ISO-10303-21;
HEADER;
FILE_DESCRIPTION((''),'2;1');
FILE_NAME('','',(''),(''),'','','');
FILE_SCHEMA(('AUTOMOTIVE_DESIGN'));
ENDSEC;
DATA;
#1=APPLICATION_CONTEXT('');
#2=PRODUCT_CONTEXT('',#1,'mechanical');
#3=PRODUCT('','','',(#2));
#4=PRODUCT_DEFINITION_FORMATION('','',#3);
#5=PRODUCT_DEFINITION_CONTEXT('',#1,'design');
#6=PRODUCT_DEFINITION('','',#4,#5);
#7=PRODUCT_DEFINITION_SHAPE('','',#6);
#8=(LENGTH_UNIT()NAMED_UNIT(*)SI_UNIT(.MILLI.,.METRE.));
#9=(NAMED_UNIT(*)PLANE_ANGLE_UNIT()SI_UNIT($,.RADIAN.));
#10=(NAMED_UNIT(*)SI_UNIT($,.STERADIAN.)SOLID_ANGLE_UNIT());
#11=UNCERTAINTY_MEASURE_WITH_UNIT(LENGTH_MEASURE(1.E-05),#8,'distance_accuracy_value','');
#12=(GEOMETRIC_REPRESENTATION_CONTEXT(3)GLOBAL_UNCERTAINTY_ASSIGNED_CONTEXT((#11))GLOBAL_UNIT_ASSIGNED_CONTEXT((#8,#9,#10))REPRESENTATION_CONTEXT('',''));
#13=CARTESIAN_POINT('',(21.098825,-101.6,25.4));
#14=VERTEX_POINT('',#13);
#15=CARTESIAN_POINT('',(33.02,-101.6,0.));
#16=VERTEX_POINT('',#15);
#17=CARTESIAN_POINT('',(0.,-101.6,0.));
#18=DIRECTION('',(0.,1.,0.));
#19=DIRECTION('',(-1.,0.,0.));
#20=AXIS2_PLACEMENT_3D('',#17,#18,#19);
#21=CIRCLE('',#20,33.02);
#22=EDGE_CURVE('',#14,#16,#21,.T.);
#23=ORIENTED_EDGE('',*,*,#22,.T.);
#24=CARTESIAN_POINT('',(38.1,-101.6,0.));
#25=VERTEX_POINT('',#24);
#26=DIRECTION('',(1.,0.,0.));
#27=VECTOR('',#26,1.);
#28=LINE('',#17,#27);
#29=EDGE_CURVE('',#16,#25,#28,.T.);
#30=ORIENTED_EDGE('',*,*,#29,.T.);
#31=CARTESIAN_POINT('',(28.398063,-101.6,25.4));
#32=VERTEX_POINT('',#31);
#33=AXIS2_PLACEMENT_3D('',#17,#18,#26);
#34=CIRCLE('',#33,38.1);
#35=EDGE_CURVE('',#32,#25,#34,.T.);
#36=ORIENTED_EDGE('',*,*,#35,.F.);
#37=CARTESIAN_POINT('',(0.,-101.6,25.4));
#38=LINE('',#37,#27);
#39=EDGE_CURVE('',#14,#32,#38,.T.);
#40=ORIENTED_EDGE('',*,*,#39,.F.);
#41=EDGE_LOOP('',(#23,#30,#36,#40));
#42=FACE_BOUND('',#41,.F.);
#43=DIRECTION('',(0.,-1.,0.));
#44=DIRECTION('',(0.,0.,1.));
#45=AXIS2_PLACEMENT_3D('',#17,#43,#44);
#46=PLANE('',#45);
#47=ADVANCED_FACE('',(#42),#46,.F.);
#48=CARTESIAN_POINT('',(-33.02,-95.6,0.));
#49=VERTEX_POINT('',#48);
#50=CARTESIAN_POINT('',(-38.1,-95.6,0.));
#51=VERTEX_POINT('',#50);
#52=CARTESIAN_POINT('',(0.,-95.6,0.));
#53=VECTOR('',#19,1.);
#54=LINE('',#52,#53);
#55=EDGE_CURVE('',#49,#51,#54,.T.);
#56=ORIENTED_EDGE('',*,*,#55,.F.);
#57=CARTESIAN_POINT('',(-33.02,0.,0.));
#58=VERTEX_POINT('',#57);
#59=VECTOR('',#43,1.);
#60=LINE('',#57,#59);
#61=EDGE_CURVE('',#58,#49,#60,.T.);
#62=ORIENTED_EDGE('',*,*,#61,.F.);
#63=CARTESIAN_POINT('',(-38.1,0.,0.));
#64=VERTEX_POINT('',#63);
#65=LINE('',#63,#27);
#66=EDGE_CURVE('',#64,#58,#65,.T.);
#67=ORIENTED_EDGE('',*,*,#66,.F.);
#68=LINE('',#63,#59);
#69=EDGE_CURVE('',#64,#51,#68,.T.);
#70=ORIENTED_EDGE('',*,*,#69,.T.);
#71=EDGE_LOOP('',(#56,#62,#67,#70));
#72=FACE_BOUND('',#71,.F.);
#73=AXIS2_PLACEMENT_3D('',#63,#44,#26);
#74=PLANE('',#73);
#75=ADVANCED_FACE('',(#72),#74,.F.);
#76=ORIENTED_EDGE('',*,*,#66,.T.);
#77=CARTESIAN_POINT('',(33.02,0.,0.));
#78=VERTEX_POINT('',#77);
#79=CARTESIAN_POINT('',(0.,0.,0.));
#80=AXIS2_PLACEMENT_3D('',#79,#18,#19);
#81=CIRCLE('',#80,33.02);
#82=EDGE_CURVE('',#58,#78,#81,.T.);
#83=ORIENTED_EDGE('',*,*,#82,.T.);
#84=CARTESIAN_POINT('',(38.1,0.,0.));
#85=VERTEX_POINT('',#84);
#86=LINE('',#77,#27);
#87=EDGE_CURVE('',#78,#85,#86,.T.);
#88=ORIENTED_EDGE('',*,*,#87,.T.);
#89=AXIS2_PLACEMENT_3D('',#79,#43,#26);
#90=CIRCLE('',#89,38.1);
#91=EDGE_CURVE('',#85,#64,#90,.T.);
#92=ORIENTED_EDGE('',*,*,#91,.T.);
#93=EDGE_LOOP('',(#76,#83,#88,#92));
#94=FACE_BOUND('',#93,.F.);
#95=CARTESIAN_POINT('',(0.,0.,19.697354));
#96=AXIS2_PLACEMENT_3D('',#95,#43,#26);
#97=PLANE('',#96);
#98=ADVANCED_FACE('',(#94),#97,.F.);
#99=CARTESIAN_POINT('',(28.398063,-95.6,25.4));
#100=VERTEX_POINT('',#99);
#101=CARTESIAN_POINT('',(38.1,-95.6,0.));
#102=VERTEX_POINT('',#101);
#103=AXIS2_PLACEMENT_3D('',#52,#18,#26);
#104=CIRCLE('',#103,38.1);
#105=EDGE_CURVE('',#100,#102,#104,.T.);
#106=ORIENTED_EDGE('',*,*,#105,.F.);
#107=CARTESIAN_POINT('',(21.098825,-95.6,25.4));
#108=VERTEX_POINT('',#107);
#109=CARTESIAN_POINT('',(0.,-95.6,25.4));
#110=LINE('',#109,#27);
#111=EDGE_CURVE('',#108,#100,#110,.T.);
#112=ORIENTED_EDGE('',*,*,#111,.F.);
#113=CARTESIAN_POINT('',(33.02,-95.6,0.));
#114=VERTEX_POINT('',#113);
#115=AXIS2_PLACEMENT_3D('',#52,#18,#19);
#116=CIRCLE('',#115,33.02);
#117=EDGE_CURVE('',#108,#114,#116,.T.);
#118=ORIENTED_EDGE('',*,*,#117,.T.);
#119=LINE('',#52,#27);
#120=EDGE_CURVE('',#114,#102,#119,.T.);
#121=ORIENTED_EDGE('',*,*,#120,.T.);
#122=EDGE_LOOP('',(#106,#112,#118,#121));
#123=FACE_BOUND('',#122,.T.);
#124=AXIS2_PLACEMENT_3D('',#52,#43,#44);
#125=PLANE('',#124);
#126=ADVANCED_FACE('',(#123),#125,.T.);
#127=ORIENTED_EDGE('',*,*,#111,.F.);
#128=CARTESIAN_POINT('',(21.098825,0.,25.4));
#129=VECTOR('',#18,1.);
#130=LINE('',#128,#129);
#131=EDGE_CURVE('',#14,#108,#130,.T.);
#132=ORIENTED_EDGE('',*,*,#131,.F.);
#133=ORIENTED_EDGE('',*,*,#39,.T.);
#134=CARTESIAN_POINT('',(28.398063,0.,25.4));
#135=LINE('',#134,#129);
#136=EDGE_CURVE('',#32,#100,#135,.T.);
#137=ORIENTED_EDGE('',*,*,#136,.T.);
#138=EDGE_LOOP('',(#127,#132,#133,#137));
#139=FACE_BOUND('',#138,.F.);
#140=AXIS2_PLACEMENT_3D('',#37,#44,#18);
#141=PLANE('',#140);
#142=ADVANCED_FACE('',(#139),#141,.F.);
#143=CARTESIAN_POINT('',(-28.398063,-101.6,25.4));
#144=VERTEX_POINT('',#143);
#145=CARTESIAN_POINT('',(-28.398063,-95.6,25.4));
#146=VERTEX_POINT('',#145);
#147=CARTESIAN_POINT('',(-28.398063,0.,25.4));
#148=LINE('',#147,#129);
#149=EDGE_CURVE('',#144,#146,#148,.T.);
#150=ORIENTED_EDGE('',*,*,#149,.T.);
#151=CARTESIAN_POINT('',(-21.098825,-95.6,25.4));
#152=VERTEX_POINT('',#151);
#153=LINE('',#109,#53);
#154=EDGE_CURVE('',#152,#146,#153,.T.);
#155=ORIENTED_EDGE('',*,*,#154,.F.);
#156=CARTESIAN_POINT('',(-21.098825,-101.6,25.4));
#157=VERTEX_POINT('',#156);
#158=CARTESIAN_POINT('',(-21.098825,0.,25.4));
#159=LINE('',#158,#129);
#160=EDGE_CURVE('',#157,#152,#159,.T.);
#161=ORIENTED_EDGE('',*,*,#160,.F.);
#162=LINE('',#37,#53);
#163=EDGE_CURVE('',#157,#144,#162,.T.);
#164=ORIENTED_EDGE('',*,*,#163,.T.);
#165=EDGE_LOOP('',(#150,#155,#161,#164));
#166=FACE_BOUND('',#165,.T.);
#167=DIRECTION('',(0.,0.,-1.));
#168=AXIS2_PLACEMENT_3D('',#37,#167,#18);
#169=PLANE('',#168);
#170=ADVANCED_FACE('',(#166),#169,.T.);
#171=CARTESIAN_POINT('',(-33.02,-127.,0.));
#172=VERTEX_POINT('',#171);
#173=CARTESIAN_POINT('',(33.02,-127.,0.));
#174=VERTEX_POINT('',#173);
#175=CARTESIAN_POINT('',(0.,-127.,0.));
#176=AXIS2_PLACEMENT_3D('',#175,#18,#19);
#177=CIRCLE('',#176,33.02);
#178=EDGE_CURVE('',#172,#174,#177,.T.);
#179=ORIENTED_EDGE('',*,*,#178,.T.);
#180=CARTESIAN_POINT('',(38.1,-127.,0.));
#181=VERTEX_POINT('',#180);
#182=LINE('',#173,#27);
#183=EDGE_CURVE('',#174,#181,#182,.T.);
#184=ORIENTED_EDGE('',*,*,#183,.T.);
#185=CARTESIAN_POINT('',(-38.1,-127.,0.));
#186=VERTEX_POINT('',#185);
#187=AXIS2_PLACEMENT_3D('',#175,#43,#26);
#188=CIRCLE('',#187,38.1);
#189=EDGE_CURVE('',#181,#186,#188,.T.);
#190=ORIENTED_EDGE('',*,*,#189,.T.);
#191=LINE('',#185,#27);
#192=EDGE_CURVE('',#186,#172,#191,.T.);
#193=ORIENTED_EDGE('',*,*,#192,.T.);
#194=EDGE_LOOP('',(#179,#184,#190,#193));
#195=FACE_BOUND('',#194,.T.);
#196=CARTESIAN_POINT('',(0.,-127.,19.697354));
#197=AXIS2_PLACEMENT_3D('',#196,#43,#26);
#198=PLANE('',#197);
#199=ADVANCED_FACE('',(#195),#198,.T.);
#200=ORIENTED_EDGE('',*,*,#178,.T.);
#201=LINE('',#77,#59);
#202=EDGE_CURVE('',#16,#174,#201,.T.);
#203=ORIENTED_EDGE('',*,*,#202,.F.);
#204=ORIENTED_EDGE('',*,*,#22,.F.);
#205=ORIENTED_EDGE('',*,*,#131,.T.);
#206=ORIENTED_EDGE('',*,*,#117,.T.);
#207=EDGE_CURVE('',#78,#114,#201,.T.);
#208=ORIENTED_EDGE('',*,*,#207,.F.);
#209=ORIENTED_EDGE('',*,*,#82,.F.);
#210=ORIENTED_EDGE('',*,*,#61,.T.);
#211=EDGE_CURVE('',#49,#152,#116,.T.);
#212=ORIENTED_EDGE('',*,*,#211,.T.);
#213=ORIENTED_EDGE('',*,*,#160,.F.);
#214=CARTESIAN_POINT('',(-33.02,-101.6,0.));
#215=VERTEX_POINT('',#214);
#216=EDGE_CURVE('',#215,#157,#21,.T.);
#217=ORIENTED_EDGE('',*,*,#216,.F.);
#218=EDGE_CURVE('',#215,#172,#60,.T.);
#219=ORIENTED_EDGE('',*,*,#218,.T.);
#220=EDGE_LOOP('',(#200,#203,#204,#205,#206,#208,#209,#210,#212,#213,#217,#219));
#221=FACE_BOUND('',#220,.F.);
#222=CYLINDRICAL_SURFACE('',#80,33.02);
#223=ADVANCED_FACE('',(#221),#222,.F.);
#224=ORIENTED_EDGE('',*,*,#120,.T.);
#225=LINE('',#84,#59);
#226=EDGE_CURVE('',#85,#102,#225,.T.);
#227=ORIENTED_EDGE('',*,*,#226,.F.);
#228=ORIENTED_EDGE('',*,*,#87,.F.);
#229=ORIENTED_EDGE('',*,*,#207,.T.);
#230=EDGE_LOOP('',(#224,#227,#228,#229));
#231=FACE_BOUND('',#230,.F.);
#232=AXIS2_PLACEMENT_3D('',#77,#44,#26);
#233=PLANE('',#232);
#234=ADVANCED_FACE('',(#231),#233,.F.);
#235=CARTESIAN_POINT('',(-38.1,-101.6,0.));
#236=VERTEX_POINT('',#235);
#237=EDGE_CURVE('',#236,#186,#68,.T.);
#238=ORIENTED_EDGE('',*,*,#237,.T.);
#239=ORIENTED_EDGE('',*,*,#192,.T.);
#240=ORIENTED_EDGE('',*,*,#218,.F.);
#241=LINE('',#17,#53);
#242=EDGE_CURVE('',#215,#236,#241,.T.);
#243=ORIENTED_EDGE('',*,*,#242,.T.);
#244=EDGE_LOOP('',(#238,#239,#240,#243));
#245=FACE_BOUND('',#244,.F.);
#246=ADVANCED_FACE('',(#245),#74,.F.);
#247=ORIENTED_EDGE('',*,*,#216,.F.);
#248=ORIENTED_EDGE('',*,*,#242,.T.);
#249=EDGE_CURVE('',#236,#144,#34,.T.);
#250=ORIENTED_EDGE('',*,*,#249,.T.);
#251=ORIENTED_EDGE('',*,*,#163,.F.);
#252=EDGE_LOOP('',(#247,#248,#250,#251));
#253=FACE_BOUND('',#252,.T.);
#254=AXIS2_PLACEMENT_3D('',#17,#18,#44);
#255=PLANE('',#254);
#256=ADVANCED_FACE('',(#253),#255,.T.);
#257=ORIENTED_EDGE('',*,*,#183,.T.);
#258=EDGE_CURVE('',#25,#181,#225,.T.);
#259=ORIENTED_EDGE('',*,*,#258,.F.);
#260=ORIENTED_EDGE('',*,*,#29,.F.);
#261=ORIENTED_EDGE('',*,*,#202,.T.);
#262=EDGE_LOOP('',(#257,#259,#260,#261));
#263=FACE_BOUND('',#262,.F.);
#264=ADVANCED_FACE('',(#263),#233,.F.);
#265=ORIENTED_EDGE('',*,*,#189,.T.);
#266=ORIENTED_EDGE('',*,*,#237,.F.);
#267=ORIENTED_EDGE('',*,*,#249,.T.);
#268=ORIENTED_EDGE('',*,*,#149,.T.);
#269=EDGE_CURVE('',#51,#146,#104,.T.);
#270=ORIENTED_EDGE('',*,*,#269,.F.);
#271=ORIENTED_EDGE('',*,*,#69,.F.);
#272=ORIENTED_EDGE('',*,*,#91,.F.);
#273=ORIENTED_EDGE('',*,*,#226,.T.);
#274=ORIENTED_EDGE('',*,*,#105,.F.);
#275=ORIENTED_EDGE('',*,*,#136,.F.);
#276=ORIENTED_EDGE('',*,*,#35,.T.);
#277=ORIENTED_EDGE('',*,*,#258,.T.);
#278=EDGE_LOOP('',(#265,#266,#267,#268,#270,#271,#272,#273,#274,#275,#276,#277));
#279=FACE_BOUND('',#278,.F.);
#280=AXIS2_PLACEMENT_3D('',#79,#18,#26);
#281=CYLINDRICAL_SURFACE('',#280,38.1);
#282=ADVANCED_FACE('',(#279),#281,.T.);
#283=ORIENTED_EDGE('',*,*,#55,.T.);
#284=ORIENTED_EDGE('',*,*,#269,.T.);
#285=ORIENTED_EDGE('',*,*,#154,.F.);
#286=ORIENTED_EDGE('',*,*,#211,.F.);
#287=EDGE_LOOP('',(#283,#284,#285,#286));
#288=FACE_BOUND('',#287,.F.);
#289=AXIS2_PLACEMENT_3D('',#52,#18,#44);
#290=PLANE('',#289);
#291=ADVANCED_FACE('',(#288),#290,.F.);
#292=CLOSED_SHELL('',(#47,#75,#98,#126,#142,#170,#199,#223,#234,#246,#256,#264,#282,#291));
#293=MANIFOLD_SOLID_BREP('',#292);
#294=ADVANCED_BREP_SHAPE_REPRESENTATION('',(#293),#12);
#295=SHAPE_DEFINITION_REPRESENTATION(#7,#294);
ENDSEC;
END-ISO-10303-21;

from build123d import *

# Parameters (mm, degrees)
F1_DEPTH = 127
F2_W     = 6
F2_H     = 25.4
F3_DEPTH = 101.6
F4_DEPTH = 101.6


with BuildPart() as f1:
    # F0 (on Front) → F1 (new body)
    with BuildSketch(Plane.XZ):
        with BuildLine():
            Line((33.02, 0), (38.1, 0))
            ThreePointArc((38.1, 0), (0, 38.1), (-38.1, 0))
            Line((-38.1, 0), (-33.02, 0))
            ThreePointArc((-33.02, 0), (0, 33.02), (33.02, 0))
        make_face()
    extrude(amount=F1_DEPTH)

    # F2 (on Right) → F3 (cut)
    with BuildSketch(Plane.YZ):
        with Locations((-98.6, 12.7)):
            Rectangle(F2_W, F2_H)
    extrude(amount=-F3_DEPTH, mode=Mode.SUBTRACT)

    # F2 (on Right) → F4 (cut)
    with BuildSketch(Plane.YZ):
        with Locations((-98.6, 12.7)):
            Rectangle(F2_W, F2_H)
    extrude(amount=F4_DEPTH, mode=Mode.SUBTRACT)


solid = f1.part
